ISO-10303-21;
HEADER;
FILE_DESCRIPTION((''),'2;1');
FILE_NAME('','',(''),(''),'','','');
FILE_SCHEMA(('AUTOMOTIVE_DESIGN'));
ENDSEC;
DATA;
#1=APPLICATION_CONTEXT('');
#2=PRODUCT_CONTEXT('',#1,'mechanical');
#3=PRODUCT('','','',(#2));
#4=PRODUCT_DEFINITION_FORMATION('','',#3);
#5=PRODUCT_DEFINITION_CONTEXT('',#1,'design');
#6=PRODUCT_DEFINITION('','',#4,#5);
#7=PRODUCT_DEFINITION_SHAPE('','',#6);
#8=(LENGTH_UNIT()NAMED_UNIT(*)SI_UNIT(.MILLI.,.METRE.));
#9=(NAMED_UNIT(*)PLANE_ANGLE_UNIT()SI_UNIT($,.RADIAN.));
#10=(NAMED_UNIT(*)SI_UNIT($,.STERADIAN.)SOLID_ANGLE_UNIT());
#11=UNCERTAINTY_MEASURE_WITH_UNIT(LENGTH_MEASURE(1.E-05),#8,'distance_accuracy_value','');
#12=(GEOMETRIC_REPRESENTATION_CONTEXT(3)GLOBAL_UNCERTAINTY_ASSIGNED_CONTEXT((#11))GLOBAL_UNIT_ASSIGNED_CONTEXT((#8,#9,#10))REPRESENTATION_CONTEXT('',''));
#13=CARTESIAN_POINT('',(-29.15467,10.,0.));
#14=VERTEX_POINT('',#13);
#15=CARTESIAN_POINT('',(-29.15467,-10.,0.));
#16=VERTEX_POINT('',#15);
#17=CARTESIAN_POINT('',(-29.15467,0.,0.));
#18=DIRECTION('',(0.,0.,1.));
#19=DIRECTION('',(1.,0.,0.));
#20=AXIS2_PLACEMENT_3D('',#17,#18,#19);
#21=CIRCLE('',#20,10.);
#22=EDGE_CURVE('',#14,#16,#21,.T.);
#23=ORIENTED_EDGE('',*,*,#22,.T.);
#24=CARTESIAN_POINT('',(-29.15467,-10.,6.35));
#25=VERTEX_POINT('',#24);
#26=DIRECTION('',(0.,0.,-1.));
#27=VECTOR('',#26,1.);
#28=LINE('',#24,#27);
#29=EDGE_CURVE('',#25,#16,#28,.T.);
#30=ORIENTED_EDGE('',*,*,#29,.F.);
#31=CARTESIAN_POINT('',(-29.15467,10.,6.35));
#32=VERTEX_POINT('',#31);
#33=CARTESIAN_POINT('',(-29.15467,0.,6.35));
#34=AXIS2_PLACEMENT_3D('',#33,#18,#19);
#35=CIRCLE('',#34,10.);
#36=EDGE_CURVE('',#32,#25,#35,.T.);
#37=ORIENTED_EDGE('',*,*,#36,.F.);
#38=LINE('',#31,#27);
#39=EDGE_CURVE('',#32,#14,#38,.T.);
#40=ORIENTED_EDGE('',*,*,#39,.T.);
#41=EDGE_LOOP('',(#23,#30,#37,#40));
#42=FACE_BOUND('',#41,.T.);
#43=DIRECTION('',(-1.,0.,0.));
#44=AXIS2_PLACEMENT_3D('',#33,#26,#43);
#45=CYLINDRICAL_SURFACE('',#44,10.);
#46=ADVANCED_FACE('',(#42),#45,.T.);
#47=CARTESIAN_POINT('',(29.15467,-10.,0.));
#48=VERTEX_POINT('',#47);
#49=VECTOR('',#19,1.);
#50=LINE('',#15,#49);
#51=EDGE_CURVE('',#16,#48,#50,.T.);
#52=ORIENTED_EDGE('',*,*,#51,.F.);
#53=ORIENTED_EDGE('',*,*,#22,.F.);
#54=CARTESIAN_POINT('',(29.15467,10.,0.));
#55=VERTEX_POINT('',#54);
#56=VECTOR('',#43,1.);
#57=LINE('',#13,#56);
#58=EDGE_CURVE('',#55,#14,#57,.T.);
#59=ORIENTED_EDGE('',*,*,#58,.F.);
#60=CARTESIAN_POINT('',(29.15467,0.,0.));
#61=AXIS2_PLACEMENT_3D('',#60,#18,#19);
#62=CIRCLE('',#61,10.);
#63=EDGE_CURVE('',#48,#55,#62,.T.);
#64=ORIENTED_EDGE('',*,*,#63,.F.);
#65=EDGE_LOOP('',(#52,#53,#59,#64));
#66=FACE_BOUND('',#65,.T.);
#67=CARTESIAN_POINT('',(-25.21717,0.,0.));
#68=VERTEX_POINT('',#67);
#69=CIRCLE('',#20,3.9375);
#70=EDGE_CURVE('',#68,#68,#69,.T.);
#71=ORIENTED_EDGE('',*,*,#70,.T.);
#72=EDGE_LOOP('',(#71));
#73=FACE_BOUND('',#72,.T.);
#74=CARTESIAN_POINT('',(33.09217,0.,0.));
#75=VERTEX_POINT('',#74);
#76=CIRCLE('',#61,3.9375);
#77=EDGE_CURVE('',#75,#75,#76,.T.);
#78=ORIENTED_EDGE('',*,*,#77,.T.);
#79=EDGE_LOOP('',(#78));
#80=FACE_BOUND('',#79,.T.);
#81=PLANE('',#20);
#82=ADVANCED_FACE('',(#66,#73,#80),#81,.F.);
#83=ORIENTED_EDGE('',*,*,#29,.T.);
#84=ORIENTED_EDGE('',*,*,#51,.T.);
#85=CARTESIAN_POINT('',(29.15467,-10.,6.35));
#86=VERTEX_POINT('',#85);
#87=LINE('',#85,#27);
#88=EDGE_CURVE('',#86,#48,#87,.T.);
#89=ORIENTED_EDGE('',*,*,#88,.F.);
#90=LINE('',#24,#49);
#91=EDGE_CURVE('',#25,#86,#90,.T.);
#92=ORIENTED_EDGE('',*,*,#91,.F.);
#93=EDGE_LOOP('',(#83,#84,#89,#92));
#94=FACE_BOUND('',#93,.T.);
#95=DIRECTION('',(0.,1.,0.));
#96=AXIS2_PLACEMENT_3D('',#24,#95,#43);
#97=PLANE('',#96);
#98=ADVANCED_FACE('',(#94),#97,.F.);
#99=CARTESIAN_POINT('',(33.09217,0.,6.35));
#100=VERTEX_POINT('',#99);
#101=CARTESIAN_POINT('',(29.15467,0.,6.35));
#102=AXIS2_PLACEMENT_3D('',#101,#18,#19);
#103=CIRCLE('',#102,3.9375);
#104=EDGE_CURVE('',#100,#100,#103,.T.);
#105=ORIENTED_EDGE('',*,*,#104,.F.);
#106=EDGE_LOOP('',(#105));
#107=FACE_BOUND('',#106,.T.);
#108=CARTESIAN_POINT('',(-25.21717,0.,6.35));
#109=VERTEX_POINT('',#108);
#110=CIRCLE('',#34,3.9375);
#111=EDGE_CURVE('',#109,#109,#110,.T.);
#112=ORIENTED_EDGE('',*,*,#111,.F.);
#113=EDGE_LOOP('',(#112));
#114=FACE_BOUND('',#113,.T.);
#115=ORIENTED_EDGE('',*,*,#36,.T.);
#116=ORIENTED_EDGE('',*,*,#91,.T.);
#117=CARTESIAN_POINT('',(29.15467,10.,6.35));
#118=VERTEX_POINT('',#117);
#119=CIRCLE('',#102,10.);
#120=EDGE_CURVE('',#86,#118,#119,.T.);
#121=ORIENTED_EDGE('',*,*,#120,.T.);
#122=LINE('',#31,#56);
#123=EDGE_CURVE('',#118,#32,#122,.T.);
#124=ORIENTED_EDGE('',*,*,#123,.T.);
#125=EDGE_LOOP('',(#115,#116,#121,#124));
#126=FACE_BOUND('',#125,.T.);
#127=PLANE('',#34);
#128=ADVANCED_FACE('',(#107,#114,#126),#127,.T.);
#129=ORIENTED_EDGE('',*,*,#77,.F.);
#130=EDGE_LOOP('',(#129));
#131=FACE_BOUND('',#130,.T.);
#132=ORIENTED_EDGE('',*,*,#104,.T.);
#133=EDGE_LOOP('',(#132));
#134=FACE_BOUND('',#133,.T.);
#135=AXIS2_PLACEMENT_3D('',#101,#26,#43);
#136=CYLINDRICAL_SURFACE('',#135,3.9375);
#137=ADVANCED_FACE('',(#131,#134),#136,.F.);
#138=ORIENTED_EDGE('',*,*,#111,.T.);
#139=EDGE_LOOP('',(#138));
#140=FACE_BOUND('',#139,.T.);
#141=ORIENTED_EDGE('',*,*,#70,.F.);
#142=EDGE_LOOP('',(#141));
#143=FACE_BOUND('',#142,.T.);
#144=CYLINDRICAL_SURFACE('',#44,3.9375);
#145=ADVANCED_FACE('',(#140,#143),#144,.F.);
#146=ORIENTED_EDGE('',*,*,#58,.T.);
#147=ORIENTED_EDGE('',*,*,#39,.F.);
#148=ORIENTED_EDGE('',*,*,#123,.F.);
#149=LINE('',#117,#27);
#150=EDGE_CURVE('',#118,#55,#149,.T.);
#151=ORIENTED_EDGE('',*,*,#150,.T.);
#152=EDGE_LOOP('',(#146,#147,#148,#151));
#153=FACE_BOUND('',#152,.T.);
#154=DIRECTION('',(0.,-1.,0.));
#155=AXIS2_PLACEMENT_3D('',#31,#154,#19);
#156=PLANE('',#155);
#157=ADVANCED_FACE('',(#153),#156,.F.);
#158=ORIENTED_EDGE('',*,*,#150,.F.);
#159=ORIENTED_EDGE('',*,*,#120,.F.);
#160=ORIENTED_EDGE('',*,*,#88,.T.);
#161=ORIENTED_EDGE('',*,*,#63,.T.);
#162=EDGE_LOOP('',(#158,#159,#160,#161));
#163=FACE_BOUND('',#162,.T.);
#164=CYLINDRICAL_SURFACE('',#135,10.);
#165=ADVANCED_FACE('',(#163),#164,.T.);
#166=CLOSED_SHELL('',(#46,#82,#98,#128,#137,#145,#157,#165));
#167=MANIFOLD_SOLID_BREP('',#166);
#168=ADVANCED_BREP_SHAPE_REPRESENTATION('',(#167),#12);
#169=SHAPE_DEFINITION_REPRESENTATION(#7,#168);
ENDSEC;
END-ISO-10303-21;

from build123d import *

# Parameters (mm, degrees)
SKETCH1_R           = 3.9375
BOSS_EXTRUDE1_DEPTH = 6.35


with BuildPart() as part:
    # Sketch1 → Boss-Extrude1 (new body)
    with BuildSketch(Plane.XY):
        with BuildLine():
            Line((-29.15466953, 10), (29.15466953, 10))
            ThreePointArc((29.15466953, 10), (39.15466953, 0), (29.15466953, -10))
            Line((29.15466953, -10), (-29.15466953, -10))
            ThreePointArc((-29.15466953, -10), (-39.15466953, 0), (-29.15466953, 10))
        make_face()
        with Locations((-29.15466953, 0)):
            Circle(SKETCH1_R, mode=Mode.SUBTRACT)
        with Locations((29.15466953, 0)):
            Circle(SKETCH1_R, mode=Mode.SUBTRACT)
    extrude(amount=BOSS_EXTRUDE1_DEPTH)


solid = part.part
